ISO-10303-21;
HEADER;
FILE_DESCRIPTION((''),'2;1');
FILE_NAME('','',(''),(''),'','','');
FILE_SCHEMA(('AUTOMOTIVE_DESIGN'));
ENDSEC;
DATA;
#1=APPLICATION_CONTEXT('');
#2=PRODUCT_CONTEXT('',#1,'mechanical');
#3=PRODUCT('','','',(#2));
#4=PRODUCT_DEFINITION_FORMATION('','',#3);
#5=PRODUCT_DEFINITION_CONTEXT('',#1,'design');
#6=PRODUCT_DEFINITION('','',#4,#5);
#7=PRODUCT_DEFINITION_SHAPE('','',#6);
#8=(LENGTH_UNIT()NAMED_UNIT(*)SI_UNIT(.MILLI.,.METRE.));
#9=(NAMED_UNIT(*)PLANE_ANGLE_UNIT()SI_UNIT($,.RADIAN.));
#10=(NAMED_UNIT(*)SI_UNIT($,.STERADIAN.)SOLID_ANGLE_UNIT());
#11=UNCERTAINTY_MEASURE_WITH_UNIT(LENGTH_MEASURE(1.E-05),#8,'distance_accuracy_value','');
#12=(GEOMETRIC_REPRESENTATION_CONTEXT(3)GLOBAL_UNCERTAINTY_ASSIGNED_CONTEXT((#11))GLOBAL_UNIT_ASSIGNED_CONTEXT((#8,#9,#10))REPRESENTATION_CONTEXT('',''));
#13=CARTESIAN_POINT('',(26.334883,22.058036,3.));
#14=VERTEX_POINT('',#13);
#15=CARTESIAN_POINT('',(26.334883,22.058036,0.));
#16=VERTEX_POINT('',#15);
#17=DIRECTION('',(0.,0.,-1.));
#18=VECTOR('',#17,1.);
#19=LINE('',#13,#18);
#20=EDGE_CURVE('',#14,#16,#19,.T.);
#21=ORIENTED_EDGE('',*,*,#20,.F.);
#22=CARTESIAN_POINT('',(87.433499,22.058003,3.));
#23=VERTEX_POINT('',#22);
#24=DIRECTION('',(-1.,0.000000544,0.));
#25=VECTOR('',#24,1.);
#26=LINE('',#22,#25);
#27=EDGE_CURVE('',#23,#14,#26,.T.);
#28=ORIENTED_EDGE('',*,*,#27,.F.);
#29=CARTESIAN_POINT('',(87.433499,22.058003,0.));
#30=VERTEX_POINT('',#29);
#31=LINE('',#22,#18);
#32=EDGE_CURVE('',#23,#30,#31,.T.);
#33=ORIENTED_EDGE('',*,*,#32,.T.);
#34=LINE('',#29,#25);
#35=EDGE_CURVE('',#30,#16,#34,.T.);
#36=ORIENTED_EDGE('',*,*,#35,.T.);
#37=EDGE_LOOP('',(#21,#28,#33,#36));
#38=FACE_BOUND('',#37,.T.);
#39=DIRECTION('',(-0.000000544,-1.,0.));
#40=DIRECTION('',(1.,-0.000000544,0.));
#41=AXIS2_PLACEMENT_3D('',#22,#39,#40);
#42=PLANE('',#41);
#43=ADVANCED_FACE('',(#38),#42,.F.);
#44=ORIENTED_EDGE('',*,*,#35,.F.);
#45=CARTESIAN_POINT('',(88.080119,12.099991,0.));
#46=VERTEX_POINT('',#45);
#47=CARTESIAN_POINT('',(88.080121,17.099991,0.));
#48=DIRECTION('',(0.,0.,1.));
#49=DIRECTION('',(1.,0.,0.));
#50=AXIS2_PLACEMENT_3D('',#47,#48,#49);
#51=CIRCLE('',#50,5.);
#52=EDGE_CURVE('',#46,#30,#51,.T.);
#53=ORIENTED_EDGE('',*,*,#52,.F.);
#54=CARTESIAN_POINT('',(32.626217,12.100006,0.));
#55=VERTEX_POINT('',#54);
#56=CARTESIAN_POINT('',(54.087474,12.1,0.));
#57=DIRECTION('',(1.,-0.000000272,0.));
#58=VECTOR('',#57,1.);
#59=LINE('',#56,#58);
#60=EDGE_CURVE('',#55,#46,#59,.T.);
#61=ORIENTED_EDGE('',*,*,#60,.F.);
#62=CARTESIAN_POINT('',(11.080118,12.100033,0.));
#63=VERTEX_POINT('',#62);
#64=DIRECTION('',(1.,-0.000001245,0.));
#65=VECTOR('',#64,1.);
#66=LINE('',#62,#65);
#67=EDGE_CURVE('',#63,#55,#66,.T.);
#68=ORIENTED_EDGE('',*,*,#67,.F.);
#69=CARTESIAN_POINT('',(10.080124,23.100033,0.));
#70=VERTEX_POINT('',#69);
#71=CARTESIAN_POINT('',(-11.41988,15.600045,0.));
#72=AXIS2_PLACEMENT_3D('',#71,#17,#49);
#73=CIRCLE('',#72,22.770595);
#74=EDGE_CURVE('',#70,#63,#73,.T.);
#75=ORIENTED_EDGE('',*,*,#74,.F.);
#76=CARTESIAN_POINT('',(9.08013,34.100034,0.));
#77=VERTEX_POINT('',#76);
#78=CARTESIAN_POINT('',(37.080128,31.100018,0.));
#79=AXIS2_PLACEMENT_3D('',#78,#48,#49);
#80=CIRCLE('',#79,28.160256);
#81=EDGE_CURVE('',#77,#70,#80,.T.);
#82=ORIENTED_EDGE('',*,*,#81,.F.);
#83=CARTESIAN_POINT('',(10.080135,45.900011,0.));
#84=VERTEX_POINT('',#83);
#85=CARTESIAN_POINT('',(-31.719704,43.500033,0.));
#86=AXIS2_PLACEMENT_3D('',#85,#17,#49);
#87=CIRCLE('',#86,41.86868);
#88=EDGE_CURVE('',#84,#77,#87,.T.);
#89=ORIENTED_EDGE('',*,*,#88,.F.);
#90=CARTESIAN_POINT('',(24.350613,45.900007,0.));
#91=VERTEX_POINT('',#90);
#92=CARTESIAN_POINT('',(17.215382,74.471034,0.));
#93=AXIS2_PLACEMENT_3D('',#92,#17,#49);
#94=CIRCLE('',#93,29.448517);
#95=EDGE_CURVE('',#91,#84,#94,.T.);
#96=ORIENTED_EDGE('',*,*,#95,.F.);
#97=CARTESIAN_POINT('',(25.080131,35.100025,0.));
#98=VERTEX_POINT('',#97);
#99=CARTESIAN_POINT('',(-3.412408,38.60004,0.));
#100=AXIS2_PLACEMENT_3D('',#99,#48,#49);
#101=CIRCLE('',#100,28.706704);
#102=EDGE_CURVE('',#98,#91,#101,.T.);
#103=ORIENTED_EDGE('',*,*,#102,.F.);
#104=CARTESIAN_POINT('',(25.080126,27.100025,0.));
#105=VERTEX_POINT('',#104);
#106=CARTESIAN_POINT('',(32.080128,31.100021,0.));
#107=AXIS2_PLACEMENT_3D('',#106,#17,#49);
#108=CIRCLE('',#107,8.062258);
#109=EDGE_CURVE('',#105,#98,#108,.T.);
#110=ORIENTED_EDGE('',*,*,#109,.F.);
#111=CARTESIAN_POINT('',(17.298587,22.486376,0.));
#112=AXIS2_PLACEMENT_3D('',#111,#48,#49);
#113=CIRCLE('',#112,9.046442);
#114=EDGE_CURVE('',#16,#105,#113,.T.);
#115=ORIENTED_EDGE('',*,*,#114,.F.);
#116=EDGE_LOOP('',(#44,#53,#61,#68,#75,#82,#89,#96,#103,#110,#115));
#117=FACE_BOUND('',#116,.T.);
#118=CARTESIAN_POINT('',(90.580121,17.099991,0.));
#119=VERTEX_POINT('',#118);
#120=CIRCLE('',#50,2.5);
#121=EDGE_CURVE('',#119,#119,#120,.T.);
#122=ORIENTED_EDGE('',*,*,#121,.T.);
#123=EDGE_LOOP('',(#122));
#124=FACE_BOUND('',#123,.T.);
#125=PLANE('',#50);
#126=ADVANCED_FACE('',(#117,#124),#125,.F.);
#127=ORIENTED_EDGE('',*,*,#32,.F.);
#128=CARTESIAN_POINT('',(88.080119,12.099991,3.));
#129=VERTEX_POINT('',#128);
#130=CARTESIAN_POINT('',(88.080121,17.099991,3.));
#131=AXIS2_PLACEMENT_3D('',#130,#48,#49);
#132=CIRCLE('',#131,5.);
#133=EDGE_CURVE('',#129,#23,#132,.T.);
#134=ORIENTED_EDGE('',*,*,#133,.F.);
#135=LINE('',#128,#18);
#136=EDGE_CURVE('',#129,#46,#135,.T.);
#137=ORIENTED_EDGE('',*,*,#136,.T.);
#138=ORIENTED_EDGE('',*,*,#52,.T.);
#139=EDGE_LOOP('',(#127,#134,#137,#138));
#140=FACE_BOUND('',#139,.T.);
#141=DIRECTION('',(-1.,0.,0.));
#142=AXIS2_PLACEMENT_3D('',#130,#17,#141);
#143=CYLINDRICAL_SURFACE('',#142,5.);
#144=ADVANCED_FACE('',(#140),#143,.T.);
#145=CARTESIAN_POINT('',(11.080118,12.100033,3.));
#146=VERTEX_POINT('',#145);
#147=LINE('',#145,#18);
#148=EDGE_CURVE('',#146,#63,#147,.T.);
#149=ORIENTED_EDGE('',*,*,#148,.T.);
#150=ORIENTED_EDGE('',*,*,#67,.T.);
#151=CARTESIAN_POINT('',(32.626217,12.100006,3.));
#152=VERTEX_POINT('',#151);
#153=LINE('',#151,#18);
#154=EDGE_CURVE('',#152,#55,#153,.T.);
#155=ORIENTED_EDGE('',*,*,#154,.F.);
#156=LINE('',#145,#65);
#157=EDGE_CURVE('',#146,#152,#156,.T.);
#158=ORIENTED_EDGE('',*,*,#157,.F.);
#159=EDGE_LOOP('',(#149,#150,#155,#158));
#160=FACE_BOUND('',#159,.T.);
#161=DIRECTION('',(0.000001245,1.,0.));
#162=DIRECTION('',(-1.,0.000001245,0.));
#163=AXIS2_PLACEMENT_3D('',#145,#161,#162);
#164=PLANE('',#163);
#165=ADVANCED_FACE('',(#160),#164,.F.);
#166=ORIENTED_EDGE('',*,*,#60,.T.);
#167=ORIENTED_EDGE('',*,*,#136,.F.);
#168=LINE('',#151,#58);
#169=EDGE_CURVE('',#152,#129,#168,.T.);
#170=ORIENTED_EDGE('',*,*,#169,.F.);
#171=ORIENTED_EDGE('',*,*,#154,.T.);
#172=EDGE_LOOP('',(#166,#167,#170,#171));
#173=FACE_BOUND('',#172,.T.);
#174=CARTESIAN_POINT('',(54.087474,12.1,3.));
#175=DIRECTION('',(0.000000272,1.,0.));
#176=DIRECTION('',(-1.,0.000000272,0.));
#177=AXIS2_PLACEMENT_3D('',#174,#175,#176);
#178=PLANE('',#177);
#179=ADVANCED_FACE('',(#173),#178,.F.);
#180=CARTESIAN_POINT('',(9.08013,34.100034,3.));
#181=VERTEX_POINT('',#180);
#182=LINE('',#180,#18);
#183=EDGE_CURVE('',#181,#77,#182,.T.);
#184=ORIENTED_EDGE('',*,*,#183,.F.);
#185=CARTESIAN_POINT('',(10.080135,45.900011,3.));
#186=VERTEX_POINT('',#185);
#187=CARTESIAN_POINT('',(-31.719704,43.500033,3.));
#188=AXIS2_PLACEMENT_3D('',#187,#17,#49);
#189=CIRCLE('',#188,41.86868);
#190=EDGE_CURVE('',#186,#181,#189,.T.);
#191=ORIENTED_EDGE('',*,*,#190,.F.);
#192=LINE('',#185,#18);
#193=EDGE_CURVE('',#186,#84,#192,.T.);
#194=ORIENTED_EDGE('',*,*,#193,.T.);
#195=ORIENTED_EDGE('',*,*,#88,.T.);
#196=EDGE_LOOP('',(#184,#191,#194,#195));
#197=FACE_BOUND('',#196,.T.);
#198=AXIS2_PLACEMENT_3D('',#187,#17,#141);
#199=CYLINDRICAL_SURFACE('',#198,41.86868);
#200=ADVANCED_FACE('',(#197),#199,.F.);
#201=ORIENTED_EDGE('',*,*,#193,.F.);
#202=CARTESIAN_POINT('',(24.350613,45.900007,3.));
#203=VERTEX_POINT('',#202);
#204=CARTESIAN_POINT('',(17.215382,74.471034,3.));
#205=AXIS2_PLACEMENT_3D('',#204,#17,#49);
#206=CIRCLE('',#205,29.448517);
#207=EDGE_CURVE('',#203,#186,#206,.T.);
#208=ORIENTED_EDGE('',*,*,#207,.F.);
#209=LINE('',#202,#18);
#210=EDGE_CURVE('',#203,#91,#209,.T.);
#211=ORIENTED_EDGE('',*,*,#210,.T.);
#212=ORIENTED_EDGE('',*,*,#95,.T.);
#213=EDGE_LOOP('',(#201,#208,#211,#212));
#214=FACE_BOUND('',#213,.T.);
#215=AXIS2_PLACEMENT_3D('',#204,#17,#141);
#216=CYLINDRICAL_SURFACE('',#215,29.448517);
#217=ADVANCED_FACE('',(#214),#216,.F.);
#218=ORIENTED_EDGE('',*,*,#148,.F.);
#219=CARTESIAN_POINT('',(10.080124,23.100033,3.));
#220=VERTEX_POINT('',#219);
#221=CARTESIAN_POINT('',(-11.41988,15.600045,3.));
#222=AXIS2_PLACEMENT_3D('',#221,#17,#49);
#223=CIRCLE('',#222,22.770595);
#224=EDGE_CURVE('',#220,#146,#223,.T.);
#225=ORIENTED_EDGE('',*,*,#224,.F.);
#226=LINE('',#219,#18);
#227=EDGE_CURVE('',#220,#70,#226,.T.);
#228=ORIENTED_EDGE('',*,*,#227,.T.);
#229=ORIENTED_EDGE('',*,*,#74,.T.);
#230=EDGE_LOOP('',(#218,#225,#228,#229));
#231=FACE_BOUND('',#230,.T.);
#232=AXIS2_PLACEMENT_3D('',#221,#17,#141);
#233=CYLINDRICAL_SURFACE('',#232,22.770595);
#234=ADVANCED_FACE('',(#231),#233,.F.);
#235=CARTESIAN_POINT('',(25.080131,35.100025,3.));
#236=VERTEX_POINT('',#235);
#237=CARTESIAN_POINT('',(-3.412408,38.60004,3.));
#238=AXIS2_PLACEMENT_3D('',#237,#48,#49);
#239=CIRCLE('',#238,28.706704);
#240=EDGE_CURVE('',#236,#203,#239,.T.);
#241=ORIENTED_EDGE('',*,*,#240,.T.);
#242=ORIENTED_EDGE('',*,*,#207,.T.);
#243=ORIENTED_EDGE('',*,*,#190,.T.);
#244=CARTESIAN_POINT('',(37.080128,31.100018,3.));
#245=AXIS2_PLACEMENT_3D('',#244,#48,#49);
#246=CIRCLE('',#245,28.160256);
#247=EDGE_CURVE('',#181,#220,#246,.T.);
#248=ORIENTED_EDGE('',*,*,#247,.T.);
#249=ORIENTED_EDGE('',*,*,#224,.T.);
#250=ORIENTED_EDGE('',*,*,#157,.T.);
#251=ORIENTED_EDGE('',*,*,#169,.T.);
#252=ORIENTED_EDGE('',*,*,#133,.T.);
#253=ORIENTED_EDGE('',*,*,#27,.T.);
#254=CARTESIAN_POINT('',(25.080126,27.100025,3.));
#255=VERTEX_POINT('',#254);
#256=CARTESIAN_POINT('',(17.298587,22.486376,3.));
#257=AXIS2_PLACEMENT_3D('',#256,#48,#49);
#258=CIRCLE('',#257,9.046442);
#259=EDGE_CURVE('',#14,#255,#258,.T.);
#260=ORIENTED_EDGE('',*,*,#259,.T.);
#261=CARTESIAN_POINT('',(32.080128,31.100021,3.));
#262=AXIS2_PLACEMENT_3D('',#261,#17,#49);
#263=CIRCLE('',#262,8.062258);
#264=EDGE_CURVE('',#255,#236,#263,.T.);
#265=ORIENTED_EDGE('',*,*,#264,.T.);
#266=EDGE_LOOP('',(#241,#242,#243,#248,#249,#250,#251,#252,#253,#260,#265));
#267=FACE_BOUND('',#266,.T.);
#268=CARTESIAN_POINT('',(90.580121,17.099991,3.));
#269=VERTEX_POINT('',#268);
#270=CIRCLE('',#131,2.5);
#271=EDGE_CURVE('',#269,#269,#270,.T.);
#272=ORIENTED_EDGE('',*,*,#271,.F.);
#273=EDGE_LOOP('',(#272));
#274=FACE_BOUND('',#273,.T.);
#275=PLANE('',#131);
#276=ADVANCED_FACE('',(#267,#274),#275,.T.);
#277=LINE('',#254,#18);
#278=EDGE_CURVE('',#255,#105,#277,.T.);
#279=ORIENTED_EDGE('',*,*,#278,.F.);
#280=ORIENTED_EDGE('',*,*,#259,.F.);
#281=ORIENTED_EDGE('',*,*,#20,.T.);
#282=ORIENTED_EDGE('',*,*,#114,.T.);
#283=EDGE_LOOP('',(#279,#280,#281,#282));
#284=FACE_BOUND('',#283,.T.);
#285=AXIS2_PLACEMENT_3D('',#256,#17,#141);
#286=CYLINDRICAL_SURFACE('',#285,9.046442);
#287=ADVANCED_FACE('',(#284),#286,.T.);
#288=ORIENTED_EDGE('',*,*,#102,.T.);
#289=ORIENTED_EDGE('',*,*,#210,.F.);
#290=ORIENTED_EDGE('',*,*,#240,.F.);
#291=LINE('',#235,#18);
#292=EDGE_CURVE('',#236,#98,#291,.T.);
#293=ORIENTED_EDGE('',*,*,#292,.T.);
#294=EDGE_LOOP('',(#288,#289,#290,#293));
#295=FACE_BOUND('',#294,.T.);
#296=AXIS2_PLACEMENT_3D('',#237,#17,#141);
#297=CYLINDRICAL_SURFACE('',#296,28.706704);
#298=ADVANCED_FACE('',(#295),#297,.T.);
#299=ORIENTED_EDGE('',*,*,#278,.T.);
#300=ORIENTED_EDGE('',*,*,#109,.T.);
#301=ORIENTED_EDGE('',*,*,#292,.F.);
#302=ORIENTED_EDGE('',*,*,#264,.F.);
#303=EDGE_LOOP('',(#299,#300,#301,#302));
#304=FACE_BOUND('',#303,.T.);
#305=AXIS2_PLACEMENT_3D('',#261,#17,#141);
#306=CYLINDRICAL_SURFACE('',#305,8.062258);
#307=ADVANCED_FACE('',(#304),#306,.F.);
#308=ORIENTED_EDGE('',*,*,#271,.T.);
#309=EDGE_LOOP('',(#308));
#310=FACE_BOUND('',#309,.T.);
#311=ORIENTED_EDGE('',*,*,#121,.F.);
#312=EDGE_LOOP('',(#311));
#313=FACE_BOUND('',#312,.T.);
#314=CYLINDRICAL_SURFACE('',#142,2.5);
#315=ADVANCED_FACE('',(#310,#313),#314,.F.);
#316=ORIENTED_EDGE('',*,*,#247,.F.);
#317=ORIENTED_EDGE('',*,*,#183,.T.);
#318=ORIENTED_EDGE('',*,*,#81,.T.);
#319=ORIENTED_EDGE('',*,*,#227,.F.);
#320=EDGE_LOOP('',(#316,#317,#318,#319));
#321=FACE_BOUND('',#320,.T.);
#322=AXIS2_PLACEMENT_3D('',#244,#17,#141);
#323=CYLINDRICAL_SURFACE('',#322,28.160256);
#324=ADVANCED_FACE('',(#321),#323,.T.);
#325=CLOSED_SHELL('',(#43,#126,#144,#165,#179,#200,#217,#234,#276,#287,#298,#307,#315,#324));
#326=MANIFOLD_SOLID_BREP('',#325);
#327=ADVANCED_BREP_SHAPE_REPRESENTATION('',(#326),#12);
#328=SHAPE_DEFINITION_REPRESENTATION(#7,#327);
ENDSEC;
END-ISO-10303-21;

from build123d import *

# Parameters (mm, degrees)
MODEL_R                 = 2.5
SALIENTE_EXTRUIR1_DEPTH = 3


with BuildPart() as part:
    # Model → Saliente-Extruir1 (new body)
    with BuildSketch(Plane.XY):
        with BuildLine():
            Line((11.080118073, 12.100032616), (32.626217211, 12.100005802))
            Line((32.626217211, 12.100005802), (54.087474295, 12.099999973))
            Line((54.087474295, 12.099999973), (88.080119434, 12.099990741))
            ThreePointArc((88.080119434, 12.099990741), (93.069612737, 17.423981681), (87.43349937, 22.058002513))
            Line((87.43349937, 22.058002513), (26.334882576, 22.058035741))
            ThreePointArc((26.334882576, 22.058035741), (26.077271745, 24.671051179), (25.080126231, 27.100025003))
            ThreePointArc((25.080126231, 27.100025003), (24.017870658, 31.10002558), (25.080130581, 35.100025003))
            ThreePointArc((25.080130581, 35.100025003), (25.229028906, 40.534712367), (24.350613381, 45.900006732))
            ThreePointArc((24.350613381, 45.900006732), (17.215374003, 45.022517475), (10.080135103, 45.900010617))
            ThreePointArc((10.080135103, 45.900010617), (9.999432675, 39.964488004), (9.080130038, 34.100033704))
            ThreePointArc((9.080130038, 34.100033704), (9.035519695, 28.550523972), (10.080124055, 23.10003316))
            ThreePointArc((10.080124055, 23.10003316), (11.257202039, 17.661585333), (11.080118073, 12.100032616))
        make_face()
        with Locations((88.080120792, 17.099990741)):
            Circle(MODEL_R, mode=Mode.SUBTRACT)
    extrude(amount=SALIENTE_EXTRUIR1_DEPTH)


solid = part.part
